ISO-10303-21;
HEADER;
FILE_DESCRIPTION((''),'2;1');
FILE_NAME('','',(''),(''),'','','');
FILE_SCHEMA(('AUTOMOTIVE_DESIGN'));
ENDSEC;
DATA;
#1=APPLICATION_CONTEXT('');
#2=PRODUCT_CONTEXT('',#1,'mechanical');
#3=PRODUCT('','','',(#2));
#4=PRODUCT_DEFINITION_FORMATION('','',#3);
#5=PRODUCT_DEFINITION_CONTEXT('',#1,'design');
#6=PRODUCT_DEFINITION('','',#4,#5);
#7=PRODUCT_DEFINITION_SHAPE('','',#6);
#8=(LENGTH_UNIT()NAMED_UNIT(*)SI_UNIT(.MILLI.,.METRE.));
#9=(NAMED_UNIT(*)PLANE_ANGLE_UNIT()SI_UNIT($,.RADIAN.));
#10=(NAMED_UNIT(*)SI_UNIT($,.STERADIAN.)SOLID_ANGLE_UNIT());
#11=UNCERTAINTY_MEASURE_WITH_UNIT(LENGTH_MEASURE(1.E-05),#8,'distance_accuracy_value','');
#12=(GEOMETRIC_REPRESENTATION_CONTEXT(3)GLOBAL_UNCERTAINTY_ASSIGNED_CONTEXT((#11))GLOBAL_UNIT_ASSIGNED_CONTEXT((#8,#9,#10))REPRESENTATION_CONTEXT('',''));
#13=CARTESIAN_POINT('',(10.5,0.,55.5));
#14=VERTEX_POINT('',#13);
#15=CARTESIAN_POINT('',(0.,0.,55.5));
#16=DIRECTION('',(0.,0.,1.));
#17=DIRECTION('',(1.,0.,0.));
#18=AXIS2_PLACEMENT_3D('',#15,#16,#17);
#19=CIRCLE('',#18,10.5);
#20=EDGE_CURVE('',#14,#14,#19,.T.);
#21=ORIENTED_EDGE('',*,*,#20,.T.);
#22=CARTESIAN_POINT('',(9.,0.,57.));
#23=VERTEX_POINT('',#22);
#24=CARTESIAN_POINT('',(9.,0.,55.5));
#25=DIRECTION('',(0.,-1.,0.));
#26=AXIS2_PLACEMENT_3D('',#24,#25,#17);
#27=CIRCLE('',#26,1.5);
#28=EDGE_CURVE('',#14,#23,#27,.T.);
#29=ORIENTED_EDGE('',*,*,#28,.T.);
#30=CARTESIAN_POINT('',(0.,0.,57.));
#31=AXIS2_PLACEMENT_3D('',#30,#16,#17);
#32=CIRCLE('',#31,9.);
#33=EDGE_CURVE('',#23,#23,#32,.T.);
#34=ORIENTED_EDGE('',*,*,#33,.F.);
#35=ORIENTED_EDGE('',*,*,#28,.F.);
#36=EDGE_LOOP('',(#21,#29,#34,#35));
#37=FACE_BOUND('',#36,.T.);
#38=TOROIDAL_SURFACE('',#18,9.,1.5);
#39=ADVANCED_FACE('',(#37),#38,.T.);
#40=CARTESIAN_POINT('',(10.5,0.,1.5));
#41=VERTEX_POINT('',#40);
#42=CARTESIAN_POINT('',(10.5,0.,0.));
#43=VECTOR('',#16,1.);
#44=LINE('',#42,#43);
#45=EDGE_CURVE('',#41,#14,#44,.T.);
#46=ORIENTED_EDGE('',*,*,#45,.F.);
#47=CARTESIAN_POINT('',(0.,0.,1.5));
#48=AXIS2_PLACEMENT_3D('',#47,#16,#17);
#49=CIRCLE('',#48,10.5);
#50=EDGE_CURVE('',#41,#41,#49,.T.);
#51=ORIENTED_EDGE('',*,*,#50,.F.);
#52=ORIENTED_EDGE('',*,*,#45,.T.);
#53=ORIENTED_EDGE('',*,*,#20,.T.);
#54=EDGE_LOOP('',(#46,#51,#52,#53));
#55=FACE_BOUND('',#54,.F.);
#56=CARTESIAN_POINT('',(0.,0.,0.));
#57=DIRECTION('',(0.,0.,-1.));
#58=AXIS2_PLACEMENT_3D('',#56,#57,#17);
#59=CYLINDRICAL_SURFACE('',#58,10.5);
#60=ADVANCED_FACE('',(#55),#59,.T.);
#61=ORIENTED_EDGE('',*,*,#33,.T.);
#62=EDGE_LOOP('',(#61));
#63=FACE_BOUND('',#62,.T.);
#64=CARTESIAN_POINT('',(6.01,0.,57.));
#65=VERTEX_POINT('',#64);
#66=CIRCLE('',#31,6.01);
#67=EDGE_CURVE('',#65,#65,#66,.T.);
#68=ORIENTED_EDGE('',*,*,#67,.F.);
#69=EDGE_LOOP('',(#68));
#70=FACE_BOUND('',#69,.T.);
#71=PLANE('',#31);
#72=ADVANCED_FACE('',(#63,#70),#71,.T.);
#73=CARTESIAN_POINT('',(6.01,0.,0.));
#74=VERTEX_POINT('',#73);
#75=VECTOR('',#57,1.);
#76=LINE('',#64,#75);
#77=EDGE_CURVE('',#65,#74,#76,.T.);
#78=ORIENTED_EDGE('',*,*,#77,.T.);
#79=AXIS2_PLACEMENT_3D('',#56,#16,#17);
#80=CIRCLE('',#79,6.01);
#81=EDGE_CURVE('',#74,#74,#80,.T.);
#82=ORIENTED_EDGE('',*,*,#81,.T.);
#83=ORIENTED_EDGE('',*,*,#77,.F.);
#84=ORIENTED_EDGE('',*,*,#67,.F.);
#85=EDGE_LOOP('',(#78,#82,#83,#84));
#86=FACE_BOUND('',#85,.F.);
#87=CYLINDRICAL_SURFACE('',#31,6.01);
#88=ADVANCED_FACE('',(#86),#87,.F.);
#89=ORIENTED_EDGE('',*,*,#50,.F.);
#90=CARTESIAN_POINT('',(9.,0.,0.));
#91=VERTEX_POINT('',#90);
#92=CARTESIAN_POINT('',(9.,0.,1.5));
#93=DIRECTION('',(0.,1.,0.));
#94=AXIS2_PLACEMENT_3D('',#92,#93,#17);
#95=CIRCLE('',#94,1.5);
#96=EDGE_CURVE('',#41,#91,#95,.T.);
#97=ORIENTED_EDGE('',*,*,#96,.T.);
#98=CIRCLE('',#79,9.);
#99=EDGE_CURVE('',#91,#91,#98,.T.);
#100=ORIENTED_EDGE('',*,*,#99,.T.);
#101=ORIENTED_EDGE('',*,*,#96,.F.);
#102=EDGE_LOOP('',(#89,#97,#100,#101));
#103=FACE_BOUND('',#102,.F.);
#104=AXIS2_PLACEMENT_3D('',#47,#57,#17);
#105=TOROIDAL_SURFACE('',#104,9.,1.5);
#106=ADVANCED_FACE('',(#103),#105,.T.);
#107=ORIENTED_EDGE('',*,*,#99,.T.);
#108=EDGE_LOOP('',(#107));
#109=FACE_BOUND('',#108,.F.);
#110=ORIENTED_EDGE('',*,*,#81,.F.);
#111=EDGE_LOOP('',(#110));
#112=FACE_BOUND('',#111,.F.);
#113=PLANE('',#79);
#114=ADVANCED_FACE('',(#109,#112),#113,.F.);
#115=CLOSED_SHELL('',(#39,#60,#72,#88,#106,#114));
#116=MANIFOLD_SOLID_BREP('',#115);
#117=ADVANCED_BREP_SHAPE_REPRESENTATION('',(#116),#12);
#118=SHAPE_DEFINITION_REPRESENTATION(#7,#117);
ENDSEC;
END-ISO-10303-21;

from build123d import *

# Parameters (mm, degrees)
F0_R     = 10.5
F1_DEPTH = 57
F2_R     = 6.01
F3_DEPTH = 57.001
F4_R     = 1.5


with BuildPart() as f1:
    # F0 (on Top) → F1 (new body)
    with BuildSketch(Plane.XY):
        Circle(F0_R)
    extrude(amount=F1_DEPTH)

    # F2 (on face) → F3 (cut, through all)
    with BuildSketch(Plane.XY.offset(57)):
        Circle(F2_R)
    extrude(amount=-F3_DEPTH, mode=Mode.SUBTRACT)

    # F4
    f4_edges = [f1.edges().sort_by_distance(p)[0] for p in [
        (-10.5, 0, 57),
        (-10.5, 0, 0),
    ]]
    fillet(f4_edges, radius=F4_R)


solid = f1.part
